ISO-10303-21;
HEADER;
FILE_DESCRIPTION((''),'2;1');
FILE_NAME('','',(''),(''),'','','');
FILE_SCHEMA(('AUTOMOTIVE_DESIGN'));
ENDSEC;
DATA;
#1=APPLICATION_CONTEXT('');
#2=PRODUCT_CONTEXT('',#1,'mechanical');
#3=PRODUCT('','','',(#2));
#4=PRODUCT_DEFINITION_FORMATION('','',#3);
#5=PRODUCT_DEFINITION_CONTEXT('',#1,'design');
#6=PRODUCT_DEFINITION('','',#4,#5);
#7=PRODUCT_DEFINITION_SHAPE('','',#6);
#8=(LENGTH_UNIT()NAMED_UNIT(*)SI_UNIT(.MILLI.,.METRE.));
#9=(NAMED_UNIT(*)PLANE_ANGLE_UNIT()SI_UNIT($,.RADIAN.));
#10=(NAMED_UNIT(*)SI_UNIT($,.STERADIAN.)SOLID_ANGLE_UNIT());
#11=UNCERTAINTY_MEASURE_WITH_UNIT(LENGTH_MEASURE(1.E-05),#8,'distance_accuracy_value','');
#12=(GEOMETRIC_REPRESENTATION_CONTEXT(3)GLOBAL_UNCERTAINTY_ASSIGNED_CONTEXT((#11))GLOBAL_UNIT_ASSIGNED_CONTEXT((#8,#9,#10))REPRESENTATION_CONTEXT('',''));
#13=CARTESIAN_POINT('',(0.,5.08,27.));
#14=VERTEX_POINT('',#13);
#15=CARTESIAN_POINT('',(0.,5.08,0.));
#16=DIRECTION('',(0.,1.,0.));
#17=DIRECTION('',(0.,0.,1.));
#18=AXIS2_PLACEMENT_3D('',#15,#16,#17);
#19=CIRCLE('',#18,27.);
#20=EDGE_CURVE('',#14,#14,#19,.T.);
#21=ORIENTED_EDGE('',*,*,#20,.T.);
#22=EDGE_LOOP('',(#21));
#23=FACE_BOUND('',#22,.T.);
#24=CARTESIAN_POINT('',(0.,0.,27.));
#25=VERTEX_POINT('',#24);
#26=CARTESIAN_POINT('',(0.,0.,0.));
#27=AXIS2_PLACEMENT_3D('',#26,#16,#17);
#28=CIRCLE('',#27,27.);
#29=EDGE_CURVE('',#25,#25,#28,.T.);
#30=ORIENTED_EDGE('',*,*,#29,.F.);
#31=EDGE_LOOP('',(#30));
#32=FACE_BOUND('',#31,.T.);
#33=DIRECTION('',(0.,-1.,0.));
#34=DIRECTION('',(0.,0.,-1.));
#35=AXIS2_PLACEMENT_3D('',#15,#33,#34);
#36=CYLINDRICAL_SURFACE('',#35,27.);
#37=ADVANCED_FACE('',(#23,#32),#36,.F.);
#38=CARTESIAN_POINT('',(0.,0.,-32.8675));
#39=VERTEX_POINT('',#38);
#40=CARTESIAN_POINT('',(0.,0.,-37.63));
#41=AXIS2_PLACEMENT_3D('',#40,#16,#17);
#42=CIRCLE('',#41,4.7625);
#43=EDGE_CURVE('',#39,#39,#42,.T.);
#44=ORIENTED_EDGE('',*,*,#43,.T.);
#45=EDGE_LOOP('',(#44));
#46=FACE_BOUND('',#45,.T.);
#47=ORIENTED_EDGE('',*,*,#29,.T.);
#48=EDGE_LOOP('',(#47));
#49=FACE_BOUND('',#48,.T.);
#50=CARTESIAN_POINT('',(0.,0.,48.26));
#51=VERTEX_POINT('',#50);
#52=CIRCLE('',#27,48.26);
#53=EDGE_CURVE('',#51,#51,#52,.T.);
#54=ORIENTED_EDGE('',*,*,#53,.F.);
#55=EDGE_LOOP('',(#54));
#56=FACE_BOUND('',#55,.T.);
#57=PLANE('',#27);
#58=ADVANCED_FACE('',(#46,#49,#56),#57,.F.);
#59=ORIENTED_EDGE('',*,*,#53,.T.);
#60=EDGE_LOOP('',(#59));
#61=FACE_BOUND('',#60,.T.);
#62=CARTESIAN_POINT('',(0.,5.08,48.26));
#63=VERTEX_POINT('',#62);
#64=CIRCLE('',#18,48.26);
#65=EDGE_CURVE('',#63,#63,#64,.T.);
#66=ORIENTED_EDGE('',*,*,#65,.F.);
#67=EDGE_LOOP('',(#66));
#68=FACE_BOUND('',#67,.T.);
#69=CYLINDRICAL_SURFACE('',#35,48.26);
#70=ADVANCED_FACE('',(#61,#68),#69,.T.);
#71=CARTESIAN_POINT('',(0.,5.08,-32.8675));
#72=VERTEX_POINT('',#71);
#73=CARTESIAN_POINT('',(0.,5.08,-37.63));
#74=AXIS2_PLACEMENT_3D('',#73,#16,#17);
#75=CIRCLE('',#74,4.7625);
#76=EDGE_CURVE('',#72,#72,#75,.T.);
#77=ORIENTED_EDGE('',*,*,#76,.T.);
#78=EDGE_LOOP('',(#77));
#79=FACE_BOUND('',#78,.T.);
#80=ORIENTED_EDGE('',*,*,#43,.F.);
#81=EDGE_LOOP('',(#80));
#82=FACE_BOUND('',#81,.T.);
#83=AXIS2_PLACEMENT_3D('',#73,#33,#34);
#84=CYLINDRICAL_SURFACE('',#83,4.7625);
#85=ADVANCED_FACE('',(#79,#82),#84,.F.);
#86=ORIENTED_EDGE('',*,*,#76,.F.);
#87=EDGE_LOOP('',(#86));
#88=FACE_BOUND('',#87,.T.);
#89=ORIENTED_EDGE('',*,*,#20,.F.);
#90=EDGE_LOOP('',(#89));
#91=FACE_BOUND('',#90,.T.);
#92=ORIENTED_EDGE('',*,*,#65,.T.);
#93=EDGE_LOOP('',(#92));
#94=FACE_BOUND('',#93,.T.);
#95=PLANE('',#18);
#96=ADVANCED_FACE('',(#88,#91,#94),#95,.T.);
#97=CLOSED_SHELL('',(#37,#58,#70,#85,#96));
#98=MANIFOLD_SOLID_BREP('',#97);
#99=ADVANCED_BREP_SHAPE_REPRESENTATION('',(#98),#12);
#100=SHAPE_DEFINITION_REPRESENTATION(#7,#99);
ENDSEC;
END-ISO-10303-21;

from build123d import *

# Parameters (mm, degrees)
SKETCH1_R           = 48.26
SKETCH1_R_2         = 27
SKETCH1_R_3         = 4.7625
BOSS_EXTRUDE1_DEPTH = 5.08


with BuildPart() as part:
    # Sketch1 → Boss-Extrude1 (new body)
    with BuildSketch(Plane(origin=(0, 0, 0), x_dir=(1, 0, 0), z_dir=(0, 1, 0))):
        with Locations(Location((0, 0, 0), (0, 0, 270))):
            Circle(SKETCH1_R)
        with Locations(Location((0, 0, 0), (0, 0, 270))):
            Circle(SKETCH1_R_2, mode=Mode.SUBTRACT)
        with Locations(Location((0, 37.63, 0), (0, 0, 270))):
            Circle(SKETCH1_R_3, mode=Mode.SUBTRACT)
    extrude(amount=BOSS_EXTRUDE1_DEPTH)


solid = part.part
